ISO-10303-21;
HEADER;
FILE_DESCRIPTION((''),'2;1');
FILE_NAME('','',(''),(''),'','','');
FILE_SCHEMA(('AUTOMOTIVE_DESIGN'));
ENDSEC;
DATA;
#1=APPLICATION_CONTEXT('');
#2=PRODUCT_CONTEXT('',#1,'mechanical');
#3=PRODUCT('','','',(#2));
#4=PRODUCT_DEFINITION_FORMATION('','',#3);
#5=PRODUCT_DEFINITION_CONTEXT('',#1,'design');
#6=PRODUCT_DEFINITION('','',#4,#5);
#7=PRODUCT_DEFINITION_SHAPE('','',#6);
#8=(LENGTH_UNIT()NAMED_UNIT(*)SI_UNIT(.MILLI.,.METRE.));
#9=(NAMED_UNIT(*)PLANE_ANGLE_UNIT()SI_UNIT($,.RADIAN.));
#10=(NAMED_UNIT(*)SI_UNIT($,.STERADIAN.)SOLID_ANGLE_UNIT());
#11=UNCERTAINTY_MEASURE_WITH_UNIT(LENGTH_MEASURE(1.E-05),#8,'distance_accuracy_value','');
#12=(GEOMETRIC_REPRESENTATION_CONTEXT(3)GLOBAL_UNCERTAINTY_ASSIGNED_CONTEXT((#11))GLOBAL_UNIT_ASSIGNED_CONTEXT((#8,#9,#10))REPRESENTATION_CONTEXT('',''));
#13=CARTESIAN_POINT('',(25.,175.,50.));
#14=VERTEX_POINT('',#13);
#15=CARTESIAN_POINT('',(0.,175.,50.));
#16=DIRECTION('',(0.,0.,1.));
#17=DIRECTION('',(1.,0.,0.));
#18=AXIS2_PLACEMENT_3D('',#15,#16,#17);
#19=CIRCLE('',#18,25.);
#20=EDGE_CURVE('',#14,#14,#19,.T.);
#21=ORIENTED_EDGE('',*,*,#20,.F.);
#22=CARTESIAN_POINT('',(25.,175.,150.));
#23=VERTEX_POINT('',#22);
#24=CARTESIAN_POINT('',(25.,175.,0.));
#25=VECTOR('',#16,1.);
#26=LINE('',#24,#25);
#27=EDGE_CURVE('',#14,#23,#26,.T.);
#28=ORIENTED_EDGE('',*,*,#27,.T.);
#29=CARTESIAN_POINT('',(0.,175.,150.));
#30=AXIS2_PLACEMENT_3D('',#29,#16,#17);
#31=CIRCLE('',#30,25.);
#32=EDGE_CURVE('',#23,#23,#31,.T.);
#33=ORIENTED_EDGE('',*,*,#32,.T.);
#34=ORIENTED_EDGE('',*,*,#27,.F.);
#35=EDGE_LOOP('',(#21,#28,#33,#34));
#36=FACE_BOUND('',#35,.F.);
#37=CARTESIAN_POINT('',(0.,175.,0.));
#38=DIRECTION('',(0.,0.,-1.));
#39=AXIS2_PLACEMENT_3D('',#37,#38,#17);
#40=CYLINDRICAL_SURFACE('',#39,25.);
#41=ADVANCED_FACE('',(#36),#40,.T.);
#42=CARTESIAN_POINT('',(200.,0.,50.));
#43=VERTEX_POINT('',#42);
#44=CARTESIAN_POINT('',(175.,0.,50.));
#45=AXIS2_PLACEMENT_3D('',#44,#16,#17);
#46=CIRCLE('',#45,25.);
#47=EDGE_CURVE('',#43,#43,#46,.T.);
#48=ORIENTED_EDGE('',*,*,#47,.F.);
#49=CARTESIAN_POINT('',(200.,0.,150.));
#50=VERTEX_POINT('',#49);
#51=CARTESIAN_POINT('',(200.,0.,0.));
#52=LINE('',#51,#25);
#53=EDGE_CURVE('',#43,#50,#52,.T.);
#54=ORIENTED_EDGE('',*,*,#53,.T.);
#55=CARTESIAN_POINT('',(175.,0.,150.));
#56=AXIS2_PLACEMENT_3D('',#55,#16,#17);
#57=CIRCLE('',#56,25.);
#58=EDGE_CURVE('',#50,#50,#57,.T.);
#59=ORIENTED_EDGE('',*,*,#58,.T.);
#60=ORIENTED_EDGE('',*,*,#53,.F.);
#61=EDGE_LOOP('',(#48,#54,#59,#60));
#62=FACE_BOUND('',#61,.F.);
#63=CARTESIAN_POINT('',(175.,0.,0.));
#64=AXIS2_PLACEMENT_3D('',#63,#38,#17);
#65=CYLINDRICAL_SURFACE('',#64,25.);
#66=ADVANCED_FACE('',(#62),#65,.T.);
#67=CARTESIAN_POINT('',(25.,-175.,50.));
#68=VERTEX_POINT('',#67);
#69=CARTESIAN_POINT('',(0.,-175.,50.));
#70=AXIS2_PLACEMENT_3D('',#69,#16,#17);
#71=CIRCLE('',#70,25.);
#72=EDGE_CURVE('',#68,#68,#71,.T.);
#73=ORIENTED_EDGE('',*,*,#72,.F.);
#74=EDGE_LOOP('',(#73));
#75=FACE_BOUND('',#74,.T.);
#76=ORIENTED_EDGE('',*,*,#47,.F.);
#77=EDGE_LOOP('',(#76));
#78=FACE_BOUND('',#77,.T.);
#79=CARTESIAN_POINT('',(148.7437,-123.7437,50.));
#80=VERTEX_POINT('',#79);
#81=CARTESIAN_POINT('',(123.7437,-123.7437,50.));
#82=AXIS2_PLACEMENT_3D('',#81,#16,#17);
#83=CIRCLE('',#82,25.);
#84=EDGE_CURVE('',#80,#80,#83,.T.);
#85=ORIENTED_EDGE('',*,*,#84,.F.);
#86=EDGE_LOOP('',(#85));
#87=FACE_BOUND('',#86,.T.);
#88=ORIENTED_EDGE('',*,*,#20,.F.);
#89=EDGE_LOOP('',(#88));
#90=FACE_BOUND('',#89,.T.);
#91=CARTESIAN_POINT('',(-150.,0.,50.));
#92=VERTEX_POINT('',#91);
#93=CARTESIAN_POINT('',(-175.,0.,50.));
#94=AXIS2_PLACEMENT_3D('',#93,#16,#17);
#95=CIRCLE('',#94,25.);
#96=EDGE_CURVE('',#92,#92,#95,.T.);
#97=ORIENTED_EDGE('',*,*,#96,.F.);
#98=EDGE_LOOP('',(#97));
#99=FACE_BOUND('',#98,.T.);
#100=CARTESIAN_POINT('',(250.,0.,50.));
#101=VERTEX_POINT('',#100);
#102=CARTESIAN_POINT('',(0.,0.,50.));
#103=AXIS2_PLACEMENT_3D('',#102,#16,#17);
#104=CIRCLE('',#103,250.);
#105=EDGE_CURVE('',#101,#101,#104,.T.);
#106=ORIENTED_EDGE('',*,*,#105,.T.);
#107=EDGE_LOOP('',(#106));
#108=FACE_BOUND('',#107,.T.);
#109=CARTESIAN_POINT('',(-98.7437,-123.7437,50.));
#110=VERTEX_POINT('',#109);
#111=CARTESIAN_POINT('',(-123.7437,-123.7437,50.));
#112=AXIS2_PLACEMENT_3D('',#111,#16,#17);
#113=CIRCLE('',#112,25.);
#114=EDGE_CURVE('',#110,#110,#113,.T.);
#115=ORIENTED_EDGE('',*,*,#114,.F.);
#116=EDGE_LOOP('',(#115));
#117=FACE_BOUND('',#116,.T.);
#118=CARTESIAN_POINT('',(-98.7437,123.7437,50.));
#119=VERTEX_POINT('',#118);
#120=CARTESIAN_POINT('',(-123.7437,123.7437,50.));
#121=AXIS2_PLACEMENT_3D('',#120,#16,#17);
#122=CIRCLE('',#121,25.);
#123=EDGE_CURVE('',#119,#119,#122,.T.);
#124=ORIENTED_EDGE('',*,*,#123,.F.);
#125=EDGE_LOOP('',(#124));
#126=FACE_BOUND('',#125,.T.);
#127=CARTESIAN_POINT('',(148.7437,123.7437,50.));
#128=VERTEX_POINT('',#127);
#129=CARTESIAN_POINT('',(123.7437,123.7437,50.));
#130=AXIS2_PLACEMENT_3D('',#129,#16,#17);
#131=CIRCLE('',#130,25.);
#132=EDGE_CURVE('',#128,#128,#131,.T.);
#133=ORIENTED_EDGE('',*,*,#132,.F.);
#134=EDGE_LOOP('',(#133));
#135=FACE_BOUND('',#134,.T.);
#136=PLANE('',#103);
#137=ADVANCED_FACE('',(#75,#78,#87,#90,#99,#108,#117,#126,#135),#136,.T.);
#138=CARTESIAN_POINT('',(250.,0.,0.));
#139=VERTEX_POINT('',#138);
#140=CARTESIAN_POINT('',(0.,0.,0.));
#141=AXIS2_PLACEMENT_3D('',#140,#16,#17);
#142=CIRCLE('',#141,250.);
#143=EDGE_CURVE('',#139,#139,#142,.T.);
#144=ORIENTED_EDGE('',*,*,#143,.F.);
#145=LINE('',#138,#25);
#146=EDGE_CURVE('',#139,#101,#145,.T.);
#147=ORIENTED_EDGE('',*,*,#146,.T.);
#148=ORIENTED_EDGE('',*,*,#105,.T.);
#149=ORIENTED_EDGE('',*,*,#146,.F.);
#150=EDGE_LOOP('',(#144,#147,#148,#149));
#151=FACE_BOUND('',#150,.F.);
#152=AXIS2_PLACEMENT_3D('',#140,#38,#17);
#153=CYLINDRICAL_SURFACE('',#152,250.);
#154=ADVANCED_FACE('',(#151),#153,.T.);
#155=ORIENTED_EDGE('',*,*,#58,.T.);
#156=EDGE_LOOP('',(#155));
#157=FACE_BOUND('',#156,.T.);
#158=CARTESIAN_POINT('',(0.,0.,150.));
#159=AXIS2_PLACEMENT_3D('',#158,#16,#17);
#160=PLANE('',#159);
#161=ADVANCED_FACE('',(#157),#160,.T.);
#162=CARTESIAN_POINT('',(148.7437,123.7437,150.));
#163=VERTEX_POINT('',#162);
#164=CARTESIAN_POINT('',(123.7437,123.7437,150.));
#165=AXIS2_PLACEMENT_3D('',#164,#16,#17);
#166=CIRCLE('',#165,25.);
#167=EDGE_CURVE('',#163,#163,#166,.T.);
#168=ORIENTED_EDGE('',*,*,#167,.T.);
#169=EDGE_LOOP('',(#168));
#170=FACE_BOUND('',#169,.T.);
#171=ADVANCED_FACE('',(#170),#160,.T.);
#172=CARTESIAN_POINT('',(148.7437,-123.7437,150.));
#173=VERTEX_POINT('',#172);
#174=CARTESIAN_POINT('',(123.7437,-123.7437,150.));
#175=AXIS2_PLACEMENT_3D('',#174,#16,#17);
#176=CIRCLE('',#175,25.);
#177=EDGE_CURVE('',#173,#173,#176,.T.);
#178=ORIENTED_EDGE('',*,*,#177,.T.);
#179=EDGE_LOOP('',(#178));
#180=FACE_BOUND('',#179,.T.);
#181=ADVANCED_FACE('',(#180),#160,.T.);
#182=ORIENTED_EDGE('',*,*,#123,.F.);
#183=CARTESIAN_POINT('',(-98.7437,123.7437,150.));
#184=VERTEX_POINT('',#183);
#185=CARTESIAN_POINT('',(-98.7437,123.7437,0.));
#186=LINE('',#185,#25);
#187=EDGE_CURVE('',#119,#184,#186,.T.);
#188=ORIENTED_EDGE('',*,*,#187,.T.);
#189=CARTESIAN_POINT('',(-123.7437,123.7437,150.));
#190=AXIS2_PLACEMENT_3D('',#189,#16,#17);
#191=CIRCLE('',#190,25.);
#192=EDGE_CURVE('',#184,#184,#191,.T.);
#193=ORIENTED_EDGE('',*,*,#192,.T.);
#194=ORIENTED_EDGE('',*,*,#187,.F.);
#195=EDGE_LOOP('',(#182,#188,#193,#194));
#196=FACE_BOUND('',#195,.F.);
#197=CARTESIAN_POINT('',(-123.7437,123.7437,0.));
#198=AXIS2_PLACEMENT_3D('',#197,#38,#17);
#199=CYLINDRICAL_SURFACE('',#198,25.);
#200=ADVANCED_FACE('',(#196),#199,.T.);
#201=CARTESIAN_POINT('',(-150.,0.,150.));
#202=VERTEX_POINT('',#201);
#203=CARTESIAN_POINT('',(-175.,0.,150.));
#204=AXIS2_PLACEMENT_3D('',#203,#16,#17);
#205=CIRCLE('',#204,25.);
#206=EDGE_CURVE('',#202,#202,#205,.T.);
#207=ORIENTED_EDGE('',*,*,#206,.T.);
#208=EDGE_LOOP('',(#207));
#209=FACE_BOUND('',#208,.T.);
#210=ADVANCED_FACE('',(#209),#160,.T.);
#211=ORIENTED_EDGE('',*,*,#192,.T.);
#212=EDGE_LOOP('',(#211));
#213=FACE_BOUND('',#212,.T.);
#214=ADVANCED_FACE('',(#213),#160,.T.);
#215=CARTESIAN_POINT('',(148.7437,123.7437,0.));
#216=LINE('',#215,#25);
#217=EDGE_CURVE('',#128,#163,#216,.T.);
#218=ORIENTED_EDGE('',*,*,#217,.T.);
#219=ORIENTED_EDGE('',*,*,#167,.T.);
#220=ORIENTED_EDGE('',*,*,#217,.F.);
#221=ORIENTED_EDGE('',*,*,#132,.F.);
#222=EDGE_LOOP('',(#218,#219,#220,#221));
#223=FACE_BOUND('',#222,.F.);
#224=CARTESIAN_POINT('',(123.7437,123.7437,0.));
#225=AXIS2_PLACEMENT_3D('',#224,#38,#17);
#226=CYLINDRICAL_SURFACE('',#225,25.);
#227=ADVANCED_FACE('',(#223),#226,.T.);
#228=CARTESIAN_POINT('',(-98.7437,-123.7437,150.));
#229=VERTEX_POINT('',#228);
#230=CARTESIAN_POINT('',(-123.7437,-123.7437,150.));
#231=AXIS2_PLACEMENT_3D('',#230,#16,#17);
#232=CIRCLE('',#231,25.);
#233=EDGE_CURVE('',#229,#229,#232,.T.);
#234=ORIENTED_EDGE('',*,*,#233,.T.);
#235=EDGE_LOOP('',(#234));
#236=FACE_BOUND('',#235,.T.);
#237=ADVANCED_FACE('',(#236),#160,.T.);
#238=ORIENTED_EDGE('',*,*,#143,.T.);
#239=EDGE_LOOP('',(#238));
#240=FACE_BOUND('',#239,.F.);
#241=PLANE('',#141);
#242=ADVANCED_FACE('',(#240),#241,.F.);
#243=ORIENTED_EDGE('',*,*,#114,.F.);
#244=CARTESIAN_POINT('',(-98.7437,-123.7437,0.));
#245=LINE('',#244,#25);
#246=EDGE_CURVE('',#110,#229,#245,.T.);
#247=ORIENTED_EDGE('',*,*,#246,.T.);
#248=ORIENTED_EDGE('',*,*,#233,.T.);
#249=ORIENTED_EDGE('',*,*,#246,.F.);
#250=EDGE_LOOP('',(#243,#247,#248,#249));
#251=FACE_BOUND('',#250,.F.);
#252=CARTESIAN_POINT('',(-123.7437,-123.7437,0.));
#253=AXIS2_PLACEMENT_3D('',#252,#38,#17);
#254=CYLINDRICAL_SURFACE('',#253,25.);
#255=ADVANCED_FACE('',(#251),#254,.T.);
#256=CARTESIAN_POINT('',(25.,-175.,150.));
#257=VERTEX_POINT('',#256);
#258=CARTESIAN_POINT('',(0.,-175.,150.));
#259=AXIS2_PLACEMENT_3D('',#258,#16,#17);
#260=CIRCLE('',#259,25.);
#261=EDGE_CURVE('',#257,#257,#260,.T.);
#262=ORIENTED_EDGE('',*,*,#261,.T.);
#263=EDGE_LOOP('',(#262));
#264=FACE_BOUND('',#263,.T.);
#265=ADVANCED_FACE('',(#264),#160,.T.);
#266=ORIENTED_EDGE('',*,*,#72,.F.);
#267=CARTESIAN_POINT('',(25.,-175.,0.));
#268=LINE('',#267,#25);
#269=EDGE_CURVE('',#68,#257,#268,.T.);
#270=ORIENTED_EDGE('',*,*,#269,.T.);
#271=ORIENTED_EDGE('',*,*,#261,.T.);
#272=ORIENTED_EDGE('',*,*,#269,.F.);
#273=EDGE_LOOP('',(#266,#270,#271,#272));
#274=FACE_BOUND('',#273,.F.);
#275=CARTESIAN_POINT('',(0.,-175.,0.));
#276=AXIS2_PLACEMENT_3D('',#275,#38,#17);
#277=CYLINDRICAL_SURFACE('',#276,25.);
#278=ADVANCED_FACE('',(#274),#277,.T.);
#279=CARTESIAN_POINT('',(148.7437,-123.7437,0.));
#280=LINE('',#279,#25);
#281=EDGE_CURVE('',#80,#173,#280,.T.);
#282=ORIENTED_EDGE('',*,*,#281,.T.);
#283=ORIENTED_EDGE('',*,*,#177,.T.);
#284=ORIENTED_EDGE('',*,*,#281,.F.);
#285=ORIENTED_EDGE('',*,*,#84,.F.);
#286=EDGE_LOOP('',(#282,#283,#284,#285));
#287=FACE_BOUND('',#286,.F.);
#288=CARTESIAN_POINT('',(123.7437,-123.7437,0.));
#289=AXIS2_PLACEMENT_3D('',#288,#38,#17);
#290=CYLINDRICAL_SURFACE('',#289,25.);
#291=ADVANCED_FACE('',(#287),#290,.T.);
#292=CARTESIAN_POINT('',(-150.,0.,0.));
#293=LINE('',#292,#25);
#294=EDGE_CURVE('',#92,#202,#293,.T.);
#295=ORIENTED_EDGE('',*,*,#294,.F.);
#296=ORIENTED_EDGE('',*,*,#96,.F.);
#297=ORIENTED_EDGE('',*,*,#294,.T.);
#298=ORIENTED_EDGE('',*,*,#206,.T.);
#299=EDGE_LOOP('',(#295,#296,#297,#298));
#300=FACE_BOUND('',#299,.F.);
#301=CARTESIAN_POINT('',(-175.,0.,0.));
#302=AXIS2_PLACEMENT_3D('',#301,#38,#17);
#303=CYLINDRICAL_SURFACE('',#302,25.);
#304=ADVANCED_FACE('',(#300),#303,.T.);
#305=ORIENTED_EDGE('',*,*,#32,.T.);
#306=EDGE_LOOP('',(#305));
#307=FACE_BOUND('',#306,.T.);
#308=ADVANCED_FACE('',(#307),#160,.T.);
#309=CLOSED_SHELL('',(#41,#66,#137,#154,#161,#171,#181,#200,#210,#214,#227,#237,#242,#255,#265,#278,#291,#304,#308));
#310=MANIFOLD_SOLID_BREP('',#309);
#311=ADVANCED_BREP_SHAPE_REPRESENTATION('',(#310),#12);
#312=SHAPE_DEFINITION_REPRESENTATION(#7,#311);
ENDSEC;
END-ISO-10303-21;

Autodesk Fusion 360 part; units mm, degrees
sketch "Sketch1" plane through (0, 0, 0) normal (0, 0, 1) x (1, 0, 0)
  line L0 (0, 0) -> (-175, 0) construction
  circle A0 centre (0, 0) radius 250
  circle A1 centre (-175, 0) radius 25
  circle A2 centre (-123.7437, -123.7437) radius 25
  circle A3 centre (0, -175) radius 25
  circle A4 centre (123.7437, -123.7437) radius 25
  circle A5 centre (175, 0) radius 25
  circle A6 centre (123.7437, 123.7437) radius 25
  circle A7 centre (0, 175) radius 25
  circle A8 centre (-123.7437, 123.7437) radius 25
  dimension "d32" = 175
  dimension "d33" = 500
  dimension "d34" = 50
  dimension "d36" = 360
extrude "Extrude1" add sketch "Sketch1" along normal blind 150 contours A1 | A2 | A3 | A4 | A5 | A6 | A7 | A8 makes body 1 at (24.9689, -176.2461, 100) makes body 2 at (24.9689, 173.7539, 100) makes body 3 at (148.7126, 122.4975, 100) makes body 4 at (-98.7748, -124.9898, 100) makes body 5 at (148.7126, -124.9898, 100) makes body 6 at (-98.7748, 122.4975, 100) makes body 7 at (199.9689, -1.2461, 100) makes body 8 at (-150.0311, -1.2461, 100)
extrude "Extrude2" add sketch "Sketch1" along normal blind 50 bodies 1 2 3 4 5 6 7 8
